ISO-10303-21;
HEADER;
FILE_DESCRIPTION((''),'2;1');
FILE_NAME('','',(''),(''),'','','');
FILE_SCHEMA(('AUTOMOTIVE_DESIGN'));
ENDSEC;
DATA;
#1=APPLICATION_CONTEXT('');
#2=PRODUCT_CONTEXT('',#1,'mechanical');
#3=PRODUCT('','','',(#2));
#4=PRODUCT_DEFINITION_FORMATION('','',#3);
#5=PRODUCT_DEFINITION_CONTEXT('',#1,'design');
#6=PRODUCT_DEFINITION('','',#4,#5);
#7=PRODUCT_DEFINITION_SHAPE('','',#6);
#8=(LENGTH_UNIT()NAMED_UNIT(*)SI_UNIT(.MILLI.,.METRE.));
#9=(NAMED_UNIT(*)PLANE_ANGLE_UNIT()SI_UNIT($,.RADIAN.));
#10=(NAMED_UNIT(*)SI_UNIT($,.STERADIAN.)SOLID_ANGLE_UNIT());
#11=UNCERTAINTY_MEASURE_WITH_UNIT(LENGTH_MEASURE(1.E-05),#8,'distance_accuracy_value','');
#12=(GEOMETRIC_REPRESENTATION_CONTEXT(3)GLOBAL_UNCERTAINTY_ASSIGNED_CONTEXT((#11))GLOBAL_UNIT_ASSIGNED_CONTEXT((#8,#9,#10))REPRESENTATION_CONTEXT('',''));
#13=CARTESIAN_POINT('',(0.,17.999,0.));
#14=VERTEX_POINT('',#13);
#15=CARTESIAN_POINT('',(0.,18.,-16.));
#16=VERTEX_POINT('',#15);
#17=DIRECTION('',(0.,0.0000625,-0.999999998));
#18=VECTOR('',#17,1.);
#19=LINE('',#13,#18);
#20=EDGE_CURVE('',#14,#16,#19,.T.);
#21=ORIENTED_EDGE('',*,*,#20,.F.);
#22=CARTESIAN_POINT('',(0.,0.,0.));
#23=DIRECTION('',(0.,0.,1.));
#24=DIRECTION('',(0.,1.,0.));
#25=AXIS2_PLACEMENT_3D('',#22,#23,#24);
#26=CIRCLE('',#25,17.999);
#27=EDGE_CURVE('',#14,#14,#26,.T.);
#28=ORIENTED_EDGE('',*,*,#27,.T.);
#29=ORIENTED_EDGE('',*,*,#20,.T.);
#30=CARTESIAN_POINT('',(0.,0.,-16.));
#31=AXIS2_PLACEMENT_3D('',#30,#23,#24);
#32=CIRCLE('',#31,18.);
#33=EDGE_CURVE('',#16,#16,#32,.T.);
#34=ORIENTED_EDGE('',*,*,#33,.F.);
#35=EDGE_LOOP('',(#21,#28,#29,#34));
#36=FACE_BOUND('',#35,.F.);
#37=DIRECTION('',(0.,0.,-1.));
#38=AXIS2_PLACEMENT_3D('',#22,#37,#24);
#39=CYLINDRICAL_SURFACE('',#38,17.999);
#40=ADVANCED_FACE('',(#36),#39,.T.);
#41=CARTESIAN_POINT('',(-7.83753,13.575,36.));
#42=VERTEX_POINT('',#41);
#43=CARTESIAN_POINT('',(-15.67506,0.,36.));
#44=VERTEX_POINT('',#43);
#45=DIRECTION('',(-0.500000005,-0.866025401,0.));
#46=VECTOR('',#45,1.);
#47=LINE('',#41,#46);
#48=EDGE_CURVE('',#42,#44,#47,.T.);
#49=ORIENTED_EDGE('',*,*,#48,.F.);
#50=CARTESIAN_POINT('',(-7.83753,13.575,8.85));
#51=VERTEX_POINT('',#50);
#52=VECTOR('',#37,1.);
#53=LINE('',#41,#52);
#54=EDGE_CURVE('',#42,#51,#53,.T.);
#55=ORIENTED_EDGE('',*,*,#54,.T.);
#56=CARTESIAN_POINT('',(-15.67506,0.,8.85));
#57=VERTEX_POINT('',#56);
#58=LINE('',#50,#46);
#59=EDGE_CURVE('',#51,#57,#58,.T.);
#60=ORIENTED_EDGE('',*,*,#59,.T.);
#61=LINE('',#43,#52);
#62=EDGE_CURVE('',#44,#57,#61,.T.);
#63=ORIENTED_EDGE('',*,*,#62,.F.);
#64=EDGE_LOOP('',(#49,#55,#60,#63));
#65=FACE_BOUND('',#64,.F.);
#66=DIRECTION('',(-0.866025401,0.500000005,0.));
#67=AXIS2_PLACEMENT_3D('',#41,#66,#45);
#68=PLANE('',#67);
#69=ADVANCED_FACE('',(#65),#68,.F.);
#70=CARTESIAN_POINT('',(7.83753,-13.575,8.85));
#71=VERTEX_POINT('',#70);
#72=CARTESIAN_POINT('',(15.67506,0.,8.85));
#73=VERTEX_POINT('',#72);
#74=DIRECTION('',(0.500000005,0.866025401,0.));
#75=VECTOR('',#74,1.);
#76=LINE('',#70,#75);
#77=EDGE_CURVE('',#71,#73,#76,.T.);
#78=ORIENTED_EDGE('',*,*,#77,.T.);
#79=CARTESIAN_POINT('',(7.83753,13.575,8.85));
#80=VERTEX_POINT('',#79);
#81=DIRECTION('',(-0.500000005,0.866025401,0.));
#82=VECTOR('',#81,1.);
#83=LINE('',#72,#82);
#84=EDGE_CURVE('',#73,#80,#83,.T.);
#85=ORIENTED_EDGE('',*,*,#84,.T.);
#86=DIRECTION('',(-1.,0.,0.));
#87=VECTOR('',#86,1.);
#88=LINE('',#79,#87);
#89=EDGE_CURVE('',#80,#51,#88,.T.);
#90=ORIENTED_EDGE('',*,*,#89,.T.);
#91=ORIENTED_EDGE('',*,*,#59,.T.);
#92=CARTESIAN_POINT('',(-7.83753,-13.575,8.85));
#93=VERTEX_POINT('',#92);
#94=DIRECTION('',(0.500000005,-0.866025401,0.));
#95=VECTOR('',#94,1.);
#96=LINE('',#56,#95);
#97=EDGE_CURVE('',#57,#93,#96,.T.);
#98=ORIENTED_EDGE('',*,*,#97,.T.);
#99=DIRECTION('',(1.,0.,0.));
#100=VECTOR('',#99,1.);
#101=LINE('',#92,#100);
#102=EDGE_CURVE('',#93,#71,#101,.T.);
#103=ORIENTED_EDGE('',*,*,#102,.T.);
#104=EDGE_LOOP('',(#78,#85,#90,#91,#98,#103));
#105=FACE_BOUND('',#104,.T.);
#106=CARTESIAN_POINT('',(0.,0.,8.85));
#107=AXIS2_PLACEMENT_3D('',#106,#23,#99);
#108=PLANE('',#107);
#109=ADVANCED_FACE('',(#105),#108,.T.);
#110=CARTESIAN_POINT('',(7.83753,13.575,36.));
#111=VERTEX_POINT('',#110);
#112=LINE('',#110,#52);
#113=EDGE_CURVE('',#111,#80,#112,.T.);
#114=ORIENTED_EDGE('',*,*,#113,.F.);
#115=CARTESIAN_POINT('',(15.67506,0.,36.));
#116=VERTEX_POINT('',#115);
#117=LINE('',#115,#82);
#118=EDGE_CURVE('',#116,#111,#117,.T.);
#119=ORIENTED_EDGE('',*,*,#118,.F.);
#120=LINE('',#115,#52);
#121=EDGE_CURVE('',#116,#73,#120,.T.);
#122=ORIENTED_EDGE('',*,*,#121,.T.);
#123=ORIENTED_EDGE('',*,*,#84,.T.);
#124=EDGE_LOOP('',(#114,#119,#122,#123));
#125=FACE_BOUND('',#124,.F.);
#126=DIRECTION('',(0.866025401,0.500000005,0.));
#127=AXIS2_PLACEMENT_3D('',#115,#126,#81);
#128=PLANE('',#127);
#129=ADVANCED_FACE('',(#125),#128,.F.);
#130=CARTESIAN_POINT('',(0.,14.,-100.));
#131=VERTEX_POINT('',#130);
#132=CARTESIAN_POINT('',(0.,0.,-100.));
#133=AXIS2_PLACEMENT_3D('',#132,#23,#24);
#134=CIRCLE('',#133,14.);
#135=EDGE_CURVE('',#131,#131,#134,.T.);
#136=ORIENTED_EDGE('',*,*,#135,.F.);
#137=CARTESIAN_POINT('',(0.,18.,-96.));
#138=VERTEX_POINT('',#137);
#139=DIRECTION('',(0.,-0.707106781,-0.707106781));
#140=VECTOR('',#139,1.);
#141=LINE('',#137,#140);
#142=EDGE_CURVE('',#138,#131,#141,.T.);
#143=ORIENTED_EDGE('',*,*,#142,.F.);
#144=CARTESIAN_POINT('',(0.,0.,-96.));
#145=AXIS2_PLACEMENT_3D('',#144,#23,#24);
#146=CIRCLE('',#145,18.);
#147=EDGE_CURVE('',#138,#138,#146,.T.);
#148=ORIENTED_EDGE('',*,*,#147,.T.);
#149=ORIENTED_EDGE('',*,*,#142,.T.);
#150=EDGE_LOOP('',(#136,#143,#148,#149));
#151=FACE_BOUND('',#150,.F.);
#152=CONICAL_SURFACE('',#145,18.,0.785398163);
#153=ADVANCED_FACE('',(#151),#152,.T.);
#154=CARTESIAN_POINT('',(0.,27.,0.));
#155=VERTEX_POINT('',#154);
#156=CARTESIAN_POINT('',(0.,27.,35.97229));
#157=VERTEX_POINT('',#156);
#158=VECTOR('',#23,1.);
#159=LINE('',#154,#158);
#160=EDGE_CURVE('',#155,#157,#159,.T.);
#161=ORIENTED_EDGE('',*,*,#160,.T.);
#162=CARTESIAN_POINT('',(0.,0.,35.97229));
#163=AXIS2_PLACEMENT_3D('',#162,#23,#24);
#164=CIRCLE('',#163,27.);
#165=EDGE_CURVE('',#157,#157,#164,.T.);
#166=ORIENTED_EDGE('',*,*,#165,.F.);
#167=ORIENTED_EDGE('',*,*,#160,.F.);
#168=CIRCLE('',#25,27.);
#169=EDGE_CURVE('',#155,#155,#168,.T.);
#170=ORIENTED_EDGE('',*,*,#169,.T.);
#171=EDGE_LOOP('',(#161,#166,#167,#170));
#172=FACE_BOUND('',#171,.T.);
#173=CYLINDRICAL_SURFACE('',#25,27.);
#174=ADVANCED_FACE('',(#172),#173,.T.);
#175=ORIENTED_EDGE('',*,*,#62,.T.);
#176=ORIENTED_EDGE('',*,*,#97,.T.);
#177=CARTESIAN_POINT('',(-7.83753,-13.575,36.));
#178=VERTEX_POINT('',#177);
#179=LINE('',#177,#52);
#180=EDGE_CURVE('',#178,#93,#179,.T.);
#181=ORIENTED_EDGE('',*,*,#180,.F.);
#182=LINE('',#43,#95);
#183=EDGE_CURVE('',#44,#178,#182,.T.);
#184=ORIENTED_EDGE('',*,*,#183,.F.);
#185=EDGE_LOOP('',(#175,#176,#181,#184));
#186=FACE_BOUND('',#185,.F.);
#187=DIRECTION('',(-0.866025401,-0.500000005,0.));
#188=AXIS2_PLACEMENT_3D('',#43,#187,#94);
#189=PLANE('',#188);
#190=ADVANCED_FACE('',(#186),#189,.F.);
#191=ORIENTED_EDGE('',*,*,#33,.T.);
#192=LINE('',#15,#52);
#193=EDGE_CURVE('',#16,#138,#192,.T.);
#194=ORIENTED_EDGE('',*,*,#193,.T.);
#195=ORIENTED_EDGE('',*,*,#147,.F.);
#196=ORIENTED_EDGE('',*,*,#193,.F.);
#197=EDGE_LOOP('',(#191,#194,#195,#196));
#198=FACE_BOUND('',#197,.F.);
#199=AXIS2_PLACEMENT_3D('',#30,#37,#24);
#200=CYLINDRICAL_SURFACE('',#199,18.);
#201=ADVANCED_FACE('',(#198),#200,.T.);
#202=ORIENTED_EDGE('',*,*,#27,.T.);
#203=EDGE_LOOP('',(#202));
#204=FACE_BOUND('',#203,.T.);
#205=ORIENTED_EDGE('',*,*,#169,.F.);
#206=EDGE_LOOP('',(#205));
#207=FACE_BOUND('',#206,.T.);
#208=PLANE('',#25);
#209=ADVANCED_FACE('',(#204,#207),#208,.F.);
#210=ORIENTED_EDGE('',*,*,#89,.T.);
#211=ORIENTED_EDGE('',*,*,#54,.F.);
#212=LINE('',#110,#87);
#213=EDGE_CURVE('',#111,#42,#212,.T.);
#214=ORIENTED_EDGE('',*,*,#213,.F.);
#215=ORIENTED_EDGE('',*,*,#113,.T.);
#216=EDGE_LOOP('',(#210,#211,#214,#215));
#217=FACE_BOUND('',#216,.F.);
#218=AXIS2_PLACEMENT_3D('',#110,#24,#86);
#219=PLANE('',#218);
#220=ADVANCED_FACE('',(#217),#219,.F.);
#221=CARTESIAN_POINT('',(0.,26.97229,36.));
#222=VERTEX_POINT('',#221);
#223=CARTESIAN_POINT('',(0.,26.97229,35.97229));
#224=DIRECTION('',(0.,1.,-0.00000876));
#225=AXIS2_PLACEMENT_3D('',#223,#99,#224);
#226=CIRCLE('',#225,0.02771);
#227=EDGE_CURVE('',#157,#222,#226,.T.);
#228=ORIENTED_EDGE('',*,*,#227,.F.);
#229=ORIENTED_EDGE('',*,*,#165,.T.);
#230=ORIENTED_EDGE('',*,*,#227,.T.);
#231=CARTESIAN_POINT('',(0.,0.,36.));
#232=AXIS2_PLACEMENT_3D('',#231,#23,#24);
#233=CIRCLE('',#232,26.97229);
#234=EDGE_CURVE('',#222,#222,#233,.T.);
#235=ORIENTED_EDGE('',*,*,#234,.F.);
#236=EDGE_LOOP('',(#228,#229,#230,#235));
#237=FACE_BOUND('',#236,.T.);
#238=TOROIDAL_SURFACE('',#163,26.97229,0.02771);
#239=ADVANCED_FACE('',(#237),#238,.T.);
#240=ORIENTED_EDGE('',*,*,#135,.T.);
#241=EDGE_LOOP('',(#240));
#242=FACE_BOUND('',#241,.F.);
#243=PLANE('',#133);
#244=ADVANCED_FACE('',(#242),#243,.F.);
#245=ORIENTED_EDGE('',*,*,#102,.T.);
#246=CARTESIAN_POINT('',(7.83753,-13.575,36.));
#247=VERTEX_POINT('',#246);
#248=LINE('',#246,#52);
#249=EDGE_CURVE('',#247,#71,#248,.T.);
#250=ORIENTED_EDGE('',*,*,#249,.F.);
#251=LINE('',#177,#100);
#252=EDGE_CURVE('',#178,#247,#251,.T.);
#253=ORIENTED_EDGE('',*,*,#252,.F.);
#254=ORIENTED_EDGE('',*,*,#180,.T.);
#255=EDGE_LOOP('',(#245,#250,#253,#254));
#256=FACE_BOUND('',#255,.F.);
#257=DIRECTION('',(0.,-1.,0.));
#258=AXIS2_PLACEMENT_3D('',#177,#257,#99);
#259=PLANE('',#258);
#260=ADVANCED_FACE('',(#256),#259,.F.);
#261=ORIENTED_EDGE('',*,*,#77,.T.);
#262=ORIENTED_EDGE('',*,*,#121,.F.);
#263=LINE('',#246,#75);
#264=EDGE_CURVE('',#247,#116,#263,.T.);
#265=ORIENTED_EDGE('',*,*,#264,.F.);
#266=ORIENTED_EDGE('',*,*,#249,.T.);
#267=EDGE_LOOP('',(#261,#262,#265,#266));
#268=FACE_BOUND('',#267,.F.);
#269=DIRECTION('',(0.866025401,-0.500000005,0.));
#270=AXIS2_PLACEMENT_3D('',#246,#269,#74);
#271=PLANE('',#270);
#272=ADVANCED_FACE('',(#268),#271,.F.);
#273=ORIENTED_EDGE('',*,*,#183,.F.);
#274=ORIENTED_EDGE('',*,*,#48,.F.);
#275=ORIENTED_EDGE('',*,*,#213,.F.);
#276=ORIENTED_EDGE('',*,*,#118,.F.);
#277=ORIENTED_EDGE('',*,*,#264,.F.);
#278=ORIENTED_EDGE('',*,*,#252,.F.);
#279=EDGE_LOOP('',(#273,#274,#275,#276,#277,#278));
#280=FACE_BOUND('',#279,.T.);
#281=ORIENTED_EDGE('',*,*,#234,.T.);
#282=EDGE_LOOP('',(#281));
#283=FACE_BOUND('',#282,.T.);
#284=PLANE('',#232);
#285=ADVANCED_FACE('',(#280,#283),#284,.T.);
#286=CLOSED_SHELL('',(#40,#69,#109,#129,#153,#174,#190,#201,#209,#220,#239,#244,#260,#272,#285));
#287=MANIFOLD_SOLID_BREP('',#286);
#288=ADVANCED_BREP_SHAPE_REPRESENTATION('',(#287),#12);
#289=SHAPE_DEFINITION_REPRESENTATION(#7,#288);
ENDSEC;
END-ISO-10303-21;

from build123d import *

# Parameters (mm, degrees)
POCKET_DEPTH = 27.15


with BuildPart() as part:
    # Sketch → Revolve (revolve)
    with BuildSketch(Plane.YZ):
        with BuildLine():
            Line((17.999, 0), (27, 0))
            Line((27, 0), (27, 35.97229))
            ThreePointArc((27, 35.97229), (26.991884, 35.991884), (26.97229, 36))
            Line((26.97229, 36), (0, 36))
            Line((0, -100), (0, 36))
            Line((14, -100), (0, -100))
            Line((18, -96), (14, -100))
            Line((18, -16), (18, -96))
            Line((17.999, 0), (18, -16))
        make_face()
    revolve(axis=Axis((0, 0, 0), (0, 0, 1)))

    # Sketch001 → Pocket (cut)
    with BuildSketch(Plane.XY.offset(36)):
        Polygon((15.67506, 0), (7.83753, 13.575), (-7.83753, 13.575), (-15.67506, 0), (-7.83753, -13.575), (7.83753, -13.575), align=None)
    extrude(amount=-POCKET_DEPTH, mode=Mode.SUBTRACT)


solid = part.part
